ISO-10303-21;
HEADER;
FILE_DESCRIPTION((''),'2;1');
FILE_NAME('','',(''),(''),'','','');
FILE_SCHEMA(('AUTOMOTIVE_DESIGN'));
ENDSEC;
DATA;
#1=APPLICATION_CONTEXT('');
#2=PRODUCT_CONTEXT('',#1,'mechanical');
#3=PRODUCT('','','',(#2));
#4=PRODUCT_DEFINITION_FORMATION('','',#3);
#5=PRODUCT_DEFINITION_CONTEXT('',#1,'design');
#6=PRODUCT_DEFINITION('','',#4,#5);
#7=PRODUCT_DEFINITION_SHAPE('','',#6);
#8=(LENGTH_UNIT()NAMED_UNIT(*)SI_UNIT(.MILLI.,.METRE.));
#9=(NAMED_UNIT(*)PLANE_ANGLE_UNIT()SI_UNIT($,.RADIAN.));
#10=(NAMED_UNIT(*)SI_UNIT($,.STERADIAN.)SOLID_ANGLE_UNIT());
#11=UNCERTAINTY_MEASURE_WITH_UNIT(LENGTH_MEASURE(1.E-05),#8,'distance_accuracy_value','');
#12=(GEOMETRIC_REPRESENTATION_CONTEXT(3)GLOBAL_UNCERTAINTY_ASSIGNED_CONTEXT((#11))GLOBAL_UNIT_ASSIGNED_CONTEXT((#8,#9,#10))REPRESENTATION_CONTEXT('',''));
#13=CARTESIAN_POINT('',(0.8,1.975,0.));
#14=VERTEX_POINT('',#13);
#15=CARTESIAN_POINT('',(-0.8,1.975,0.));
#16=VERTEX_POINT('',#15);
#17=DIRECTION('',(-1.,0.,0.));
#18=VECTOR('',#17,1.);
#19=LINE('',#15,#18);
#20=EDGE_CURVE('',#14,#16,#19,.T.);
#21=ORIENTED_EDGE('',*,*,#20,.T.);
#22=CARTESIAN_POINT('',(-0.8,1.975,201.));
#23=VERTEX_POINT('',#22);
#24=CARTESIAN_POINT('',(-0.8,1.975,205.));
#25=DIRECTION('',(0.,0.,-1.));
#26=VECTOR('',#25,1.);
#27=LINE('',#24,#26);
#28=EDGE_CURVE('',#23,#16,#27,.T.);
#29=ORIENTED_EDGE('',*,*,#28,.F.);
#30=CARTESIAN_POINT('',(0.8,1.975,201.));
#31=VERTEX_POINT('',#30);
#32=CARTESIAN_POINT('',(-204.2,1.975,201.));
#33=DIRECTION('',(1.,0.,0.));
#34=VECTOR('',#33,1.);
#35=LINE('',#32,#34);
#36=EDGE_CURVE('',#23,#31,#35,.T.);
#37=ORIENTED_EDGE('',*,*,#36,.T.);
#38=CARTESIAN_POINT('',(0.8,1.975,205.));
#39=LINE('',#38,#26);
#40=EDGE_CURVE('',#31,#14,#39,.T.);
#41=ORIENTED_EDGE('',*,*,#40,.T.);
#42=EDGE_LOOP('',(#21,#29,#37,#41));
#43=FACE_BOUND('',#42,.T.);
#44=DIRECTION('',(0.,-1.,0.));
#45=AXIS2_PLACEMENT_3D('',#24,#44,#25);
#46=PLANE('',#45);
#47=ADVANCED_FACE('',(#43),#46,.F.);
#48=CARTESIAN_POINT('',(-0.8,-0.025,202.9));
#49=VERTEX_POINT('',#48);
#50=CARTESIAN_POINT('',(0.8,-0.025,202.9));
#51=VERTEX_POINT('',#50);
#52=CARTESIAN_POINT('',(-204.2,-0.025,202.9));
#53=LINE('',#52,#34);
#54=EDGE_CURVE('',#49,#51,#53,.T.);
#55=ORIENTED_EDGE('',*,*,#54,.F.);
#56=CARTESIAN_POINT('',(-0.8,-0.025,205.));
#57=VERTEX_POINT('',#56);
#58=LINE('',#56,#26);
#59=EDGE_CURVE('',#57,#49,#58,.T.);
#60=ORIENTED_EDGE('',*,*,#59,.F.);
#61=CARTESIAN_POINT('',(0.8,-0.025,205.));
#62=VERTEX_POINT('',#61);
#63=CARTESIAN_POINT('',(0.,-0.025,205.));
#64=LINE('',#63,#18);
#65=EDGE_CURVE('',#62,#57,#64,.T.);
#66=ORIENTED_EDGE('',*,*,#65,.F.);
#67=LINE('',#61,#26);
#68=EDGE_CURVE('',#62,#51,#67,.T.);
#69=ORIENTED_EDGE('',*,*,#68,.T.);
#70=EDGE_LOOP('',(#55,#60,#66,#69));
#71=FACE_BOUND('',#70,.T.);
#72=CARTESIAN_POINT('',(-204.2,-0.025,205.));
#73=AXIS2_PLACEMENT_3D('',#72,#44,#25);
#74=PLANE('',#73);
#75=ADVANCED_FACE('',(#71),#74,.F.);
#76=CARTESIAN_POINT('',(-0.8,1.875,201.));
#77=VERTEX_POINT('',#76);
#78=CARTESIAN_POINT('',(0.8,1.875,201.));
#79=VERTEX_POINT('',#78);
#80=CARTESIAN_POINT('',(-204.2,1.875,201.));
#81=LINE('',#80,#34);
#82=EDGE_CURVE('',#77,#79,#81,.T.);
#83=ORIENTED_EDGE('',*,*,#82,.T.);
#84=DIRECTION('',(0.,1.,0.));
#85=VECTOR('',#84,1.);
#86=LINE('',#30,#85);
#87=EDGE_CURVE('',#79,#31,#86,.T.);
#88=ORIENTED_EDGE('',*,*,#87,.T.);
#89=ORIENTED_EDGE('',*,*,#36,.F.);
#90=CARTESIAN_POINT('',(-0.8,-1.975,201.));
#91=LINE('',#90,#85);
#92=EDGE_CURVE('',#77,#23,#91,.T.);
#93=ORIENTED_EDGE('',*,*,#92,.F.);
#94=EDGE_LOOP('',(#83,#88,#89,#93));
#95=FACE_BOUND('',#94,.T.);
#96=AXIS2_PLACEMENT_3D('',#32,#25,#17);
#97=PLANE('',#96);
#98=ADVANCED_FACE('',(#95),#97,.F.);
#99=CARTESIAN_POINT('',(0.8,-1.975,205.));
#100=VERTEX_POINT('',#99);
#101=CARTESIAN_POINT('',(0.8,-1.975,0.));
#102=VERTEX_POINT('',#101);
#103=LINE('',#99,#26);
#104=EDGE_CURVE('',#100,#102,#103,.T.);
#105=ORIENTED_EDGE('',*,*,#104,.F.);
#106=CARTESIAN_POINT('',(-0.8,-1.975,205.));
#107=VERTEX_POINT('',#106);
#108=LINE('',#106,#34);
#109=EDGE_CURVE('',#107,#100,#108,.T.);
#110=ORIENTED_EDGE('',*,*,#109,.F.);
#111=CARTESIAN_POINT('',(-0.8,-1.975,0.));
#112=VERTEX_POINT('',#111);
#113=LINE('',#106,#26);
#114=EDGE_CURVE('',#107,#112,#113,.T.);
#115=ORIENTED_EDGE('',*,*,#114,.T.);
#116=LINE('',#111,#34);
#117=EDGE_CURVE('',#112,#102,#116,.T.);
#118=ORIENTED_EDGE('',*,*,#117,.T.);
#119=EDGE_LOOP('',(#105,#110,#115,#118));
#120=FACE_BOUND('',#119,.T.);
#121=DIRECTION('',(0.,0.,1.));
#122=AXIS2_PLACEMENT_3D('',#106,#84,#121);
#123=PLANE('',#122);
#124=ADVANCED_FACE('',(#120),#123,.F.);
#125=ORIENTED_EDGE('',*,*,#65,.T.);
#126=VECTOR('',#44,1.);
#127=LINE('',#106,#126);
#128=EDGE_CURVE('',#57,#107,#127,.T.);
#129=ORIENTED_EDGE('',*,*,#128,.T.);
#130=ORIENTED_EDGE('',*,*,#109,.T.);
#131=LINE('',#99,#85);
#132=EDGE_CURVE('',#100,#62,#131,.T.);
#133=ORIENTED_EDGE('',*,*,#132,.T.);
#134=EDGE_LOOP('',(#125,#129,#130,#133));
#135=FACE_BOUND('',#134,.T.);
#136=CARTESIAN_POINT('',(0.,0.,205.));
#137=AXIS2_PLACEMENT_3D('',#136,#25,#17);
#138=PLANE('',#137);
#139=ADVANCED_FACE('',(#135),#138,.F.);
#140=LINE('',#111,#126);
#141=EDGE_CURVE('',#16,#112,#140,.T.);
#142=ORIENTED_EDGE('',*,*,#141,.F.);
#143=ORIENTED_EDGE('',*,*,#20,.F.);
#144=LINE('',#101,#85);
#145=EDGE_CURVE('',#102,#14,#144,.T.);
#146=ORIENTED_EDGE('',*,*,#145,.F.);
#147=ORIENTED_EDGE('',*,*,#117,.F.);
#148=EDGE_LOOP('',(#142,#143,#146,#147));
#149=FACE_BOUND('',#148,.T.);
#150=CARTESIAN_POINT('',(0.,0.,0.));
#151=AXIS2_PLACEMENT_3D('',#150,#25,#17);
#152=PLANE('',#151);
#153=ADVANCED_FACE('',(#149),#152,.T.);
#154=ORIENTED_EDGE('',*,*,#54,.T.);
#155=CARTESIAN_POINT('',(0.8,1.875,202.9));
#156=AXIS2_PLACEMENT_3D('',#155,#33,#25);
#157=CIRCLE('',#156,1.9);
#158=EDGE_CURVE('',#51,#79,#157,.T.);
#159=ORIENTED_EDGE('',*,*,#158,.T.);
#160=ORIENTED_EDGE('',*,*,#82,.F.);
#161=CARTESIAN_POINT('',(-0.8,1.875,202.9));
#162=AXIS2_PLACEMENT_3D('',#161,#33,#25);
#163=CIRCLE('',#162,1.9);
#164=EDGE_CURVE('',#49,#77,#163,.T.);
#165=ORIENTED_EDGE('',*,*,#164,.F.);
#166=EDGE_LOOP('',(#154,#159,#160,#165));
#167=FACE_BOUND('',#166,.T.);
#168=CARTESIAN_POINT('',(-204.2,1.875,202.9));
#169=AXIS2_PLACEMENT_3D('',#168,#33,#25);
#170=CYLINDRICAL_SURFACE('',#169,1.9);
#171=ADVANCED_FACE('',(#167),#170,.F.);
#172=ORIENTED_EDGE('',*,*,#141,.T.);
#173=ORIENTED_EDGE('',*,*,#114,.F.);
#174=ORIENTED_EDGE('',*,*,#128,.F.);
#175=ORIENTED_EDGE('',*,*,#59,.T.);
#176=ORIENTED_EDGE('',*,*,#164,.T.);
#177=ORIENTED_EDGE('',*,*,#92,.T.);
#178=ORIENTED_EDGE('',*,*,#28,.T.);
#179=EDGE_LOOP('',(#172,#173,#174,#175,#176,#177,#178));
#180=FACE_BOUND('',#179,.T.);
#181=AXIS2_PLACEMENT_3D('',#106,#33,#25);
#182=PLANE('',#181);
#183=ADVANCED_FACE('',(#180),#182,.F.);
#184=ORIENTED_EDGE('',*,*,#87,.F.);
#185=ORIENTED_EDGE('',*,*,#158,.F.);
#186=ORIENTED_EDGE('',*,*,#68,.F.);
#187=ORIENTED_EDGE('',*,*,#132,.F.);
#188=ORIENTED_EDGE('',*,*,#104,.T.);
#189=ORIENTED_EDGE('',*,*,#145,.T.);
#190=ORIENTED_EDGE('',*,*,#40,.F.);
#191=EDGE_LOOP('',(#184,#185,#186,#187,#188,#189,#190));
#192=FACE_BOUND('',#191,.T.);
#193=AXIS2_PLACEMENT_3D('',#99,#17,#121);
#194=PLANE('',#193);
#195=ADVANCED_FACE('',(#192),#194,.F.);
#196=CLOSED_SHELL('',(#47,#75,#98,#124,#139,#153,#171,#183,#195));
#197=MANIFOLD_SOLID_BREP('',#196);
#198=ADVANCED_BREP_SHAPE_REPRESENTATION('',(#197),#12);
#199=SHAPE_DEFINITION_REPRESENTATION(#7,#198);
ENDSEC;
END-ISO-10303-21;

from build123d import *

# Parameters (mm, degrees)
SKETCH1_W           = 1.6
SKETCH1_H           = 3.95
BOSS_EXTRUDE1_DEPTH = 205
CUT_EXTRUDE1_DEPTH  = 205


with BuildPart() as part:
    # Sketch1 → Boss-Extrude1 (new body)
    with BuildSketch(Plane.XY):
        Rectangle(SKETCH1_W, SKETCH1_H)
    extrude(amount=BOSS_EXTRUDE1_DEPTH)

    # Sketch2 → Cut-Extrude1 (cut)
    with BuildSketch(Plane(origin=(0.8, 0, 0), x_dir=(0, 0, -1), z_dir=(1, 0, 0))):
        with BuildLine():
            Line((-205, 1.975), (-201, 1.975))
            Line((-201, 1.975), (-201, 1.875))
            ThreePointArc((-201, 1.875), (-201.556497116, 0.531497116), (-202.9, -0.025))
            Line((-202.9, -0.025), (-205, -0.025))
            Line((-205, -0.025), (-205, 1.975))
        make_face()
    extrude(amount=-CUT_EXTRUDE1_DEPTH, mode=Mode.SUBTRACT)


solid = part.part
